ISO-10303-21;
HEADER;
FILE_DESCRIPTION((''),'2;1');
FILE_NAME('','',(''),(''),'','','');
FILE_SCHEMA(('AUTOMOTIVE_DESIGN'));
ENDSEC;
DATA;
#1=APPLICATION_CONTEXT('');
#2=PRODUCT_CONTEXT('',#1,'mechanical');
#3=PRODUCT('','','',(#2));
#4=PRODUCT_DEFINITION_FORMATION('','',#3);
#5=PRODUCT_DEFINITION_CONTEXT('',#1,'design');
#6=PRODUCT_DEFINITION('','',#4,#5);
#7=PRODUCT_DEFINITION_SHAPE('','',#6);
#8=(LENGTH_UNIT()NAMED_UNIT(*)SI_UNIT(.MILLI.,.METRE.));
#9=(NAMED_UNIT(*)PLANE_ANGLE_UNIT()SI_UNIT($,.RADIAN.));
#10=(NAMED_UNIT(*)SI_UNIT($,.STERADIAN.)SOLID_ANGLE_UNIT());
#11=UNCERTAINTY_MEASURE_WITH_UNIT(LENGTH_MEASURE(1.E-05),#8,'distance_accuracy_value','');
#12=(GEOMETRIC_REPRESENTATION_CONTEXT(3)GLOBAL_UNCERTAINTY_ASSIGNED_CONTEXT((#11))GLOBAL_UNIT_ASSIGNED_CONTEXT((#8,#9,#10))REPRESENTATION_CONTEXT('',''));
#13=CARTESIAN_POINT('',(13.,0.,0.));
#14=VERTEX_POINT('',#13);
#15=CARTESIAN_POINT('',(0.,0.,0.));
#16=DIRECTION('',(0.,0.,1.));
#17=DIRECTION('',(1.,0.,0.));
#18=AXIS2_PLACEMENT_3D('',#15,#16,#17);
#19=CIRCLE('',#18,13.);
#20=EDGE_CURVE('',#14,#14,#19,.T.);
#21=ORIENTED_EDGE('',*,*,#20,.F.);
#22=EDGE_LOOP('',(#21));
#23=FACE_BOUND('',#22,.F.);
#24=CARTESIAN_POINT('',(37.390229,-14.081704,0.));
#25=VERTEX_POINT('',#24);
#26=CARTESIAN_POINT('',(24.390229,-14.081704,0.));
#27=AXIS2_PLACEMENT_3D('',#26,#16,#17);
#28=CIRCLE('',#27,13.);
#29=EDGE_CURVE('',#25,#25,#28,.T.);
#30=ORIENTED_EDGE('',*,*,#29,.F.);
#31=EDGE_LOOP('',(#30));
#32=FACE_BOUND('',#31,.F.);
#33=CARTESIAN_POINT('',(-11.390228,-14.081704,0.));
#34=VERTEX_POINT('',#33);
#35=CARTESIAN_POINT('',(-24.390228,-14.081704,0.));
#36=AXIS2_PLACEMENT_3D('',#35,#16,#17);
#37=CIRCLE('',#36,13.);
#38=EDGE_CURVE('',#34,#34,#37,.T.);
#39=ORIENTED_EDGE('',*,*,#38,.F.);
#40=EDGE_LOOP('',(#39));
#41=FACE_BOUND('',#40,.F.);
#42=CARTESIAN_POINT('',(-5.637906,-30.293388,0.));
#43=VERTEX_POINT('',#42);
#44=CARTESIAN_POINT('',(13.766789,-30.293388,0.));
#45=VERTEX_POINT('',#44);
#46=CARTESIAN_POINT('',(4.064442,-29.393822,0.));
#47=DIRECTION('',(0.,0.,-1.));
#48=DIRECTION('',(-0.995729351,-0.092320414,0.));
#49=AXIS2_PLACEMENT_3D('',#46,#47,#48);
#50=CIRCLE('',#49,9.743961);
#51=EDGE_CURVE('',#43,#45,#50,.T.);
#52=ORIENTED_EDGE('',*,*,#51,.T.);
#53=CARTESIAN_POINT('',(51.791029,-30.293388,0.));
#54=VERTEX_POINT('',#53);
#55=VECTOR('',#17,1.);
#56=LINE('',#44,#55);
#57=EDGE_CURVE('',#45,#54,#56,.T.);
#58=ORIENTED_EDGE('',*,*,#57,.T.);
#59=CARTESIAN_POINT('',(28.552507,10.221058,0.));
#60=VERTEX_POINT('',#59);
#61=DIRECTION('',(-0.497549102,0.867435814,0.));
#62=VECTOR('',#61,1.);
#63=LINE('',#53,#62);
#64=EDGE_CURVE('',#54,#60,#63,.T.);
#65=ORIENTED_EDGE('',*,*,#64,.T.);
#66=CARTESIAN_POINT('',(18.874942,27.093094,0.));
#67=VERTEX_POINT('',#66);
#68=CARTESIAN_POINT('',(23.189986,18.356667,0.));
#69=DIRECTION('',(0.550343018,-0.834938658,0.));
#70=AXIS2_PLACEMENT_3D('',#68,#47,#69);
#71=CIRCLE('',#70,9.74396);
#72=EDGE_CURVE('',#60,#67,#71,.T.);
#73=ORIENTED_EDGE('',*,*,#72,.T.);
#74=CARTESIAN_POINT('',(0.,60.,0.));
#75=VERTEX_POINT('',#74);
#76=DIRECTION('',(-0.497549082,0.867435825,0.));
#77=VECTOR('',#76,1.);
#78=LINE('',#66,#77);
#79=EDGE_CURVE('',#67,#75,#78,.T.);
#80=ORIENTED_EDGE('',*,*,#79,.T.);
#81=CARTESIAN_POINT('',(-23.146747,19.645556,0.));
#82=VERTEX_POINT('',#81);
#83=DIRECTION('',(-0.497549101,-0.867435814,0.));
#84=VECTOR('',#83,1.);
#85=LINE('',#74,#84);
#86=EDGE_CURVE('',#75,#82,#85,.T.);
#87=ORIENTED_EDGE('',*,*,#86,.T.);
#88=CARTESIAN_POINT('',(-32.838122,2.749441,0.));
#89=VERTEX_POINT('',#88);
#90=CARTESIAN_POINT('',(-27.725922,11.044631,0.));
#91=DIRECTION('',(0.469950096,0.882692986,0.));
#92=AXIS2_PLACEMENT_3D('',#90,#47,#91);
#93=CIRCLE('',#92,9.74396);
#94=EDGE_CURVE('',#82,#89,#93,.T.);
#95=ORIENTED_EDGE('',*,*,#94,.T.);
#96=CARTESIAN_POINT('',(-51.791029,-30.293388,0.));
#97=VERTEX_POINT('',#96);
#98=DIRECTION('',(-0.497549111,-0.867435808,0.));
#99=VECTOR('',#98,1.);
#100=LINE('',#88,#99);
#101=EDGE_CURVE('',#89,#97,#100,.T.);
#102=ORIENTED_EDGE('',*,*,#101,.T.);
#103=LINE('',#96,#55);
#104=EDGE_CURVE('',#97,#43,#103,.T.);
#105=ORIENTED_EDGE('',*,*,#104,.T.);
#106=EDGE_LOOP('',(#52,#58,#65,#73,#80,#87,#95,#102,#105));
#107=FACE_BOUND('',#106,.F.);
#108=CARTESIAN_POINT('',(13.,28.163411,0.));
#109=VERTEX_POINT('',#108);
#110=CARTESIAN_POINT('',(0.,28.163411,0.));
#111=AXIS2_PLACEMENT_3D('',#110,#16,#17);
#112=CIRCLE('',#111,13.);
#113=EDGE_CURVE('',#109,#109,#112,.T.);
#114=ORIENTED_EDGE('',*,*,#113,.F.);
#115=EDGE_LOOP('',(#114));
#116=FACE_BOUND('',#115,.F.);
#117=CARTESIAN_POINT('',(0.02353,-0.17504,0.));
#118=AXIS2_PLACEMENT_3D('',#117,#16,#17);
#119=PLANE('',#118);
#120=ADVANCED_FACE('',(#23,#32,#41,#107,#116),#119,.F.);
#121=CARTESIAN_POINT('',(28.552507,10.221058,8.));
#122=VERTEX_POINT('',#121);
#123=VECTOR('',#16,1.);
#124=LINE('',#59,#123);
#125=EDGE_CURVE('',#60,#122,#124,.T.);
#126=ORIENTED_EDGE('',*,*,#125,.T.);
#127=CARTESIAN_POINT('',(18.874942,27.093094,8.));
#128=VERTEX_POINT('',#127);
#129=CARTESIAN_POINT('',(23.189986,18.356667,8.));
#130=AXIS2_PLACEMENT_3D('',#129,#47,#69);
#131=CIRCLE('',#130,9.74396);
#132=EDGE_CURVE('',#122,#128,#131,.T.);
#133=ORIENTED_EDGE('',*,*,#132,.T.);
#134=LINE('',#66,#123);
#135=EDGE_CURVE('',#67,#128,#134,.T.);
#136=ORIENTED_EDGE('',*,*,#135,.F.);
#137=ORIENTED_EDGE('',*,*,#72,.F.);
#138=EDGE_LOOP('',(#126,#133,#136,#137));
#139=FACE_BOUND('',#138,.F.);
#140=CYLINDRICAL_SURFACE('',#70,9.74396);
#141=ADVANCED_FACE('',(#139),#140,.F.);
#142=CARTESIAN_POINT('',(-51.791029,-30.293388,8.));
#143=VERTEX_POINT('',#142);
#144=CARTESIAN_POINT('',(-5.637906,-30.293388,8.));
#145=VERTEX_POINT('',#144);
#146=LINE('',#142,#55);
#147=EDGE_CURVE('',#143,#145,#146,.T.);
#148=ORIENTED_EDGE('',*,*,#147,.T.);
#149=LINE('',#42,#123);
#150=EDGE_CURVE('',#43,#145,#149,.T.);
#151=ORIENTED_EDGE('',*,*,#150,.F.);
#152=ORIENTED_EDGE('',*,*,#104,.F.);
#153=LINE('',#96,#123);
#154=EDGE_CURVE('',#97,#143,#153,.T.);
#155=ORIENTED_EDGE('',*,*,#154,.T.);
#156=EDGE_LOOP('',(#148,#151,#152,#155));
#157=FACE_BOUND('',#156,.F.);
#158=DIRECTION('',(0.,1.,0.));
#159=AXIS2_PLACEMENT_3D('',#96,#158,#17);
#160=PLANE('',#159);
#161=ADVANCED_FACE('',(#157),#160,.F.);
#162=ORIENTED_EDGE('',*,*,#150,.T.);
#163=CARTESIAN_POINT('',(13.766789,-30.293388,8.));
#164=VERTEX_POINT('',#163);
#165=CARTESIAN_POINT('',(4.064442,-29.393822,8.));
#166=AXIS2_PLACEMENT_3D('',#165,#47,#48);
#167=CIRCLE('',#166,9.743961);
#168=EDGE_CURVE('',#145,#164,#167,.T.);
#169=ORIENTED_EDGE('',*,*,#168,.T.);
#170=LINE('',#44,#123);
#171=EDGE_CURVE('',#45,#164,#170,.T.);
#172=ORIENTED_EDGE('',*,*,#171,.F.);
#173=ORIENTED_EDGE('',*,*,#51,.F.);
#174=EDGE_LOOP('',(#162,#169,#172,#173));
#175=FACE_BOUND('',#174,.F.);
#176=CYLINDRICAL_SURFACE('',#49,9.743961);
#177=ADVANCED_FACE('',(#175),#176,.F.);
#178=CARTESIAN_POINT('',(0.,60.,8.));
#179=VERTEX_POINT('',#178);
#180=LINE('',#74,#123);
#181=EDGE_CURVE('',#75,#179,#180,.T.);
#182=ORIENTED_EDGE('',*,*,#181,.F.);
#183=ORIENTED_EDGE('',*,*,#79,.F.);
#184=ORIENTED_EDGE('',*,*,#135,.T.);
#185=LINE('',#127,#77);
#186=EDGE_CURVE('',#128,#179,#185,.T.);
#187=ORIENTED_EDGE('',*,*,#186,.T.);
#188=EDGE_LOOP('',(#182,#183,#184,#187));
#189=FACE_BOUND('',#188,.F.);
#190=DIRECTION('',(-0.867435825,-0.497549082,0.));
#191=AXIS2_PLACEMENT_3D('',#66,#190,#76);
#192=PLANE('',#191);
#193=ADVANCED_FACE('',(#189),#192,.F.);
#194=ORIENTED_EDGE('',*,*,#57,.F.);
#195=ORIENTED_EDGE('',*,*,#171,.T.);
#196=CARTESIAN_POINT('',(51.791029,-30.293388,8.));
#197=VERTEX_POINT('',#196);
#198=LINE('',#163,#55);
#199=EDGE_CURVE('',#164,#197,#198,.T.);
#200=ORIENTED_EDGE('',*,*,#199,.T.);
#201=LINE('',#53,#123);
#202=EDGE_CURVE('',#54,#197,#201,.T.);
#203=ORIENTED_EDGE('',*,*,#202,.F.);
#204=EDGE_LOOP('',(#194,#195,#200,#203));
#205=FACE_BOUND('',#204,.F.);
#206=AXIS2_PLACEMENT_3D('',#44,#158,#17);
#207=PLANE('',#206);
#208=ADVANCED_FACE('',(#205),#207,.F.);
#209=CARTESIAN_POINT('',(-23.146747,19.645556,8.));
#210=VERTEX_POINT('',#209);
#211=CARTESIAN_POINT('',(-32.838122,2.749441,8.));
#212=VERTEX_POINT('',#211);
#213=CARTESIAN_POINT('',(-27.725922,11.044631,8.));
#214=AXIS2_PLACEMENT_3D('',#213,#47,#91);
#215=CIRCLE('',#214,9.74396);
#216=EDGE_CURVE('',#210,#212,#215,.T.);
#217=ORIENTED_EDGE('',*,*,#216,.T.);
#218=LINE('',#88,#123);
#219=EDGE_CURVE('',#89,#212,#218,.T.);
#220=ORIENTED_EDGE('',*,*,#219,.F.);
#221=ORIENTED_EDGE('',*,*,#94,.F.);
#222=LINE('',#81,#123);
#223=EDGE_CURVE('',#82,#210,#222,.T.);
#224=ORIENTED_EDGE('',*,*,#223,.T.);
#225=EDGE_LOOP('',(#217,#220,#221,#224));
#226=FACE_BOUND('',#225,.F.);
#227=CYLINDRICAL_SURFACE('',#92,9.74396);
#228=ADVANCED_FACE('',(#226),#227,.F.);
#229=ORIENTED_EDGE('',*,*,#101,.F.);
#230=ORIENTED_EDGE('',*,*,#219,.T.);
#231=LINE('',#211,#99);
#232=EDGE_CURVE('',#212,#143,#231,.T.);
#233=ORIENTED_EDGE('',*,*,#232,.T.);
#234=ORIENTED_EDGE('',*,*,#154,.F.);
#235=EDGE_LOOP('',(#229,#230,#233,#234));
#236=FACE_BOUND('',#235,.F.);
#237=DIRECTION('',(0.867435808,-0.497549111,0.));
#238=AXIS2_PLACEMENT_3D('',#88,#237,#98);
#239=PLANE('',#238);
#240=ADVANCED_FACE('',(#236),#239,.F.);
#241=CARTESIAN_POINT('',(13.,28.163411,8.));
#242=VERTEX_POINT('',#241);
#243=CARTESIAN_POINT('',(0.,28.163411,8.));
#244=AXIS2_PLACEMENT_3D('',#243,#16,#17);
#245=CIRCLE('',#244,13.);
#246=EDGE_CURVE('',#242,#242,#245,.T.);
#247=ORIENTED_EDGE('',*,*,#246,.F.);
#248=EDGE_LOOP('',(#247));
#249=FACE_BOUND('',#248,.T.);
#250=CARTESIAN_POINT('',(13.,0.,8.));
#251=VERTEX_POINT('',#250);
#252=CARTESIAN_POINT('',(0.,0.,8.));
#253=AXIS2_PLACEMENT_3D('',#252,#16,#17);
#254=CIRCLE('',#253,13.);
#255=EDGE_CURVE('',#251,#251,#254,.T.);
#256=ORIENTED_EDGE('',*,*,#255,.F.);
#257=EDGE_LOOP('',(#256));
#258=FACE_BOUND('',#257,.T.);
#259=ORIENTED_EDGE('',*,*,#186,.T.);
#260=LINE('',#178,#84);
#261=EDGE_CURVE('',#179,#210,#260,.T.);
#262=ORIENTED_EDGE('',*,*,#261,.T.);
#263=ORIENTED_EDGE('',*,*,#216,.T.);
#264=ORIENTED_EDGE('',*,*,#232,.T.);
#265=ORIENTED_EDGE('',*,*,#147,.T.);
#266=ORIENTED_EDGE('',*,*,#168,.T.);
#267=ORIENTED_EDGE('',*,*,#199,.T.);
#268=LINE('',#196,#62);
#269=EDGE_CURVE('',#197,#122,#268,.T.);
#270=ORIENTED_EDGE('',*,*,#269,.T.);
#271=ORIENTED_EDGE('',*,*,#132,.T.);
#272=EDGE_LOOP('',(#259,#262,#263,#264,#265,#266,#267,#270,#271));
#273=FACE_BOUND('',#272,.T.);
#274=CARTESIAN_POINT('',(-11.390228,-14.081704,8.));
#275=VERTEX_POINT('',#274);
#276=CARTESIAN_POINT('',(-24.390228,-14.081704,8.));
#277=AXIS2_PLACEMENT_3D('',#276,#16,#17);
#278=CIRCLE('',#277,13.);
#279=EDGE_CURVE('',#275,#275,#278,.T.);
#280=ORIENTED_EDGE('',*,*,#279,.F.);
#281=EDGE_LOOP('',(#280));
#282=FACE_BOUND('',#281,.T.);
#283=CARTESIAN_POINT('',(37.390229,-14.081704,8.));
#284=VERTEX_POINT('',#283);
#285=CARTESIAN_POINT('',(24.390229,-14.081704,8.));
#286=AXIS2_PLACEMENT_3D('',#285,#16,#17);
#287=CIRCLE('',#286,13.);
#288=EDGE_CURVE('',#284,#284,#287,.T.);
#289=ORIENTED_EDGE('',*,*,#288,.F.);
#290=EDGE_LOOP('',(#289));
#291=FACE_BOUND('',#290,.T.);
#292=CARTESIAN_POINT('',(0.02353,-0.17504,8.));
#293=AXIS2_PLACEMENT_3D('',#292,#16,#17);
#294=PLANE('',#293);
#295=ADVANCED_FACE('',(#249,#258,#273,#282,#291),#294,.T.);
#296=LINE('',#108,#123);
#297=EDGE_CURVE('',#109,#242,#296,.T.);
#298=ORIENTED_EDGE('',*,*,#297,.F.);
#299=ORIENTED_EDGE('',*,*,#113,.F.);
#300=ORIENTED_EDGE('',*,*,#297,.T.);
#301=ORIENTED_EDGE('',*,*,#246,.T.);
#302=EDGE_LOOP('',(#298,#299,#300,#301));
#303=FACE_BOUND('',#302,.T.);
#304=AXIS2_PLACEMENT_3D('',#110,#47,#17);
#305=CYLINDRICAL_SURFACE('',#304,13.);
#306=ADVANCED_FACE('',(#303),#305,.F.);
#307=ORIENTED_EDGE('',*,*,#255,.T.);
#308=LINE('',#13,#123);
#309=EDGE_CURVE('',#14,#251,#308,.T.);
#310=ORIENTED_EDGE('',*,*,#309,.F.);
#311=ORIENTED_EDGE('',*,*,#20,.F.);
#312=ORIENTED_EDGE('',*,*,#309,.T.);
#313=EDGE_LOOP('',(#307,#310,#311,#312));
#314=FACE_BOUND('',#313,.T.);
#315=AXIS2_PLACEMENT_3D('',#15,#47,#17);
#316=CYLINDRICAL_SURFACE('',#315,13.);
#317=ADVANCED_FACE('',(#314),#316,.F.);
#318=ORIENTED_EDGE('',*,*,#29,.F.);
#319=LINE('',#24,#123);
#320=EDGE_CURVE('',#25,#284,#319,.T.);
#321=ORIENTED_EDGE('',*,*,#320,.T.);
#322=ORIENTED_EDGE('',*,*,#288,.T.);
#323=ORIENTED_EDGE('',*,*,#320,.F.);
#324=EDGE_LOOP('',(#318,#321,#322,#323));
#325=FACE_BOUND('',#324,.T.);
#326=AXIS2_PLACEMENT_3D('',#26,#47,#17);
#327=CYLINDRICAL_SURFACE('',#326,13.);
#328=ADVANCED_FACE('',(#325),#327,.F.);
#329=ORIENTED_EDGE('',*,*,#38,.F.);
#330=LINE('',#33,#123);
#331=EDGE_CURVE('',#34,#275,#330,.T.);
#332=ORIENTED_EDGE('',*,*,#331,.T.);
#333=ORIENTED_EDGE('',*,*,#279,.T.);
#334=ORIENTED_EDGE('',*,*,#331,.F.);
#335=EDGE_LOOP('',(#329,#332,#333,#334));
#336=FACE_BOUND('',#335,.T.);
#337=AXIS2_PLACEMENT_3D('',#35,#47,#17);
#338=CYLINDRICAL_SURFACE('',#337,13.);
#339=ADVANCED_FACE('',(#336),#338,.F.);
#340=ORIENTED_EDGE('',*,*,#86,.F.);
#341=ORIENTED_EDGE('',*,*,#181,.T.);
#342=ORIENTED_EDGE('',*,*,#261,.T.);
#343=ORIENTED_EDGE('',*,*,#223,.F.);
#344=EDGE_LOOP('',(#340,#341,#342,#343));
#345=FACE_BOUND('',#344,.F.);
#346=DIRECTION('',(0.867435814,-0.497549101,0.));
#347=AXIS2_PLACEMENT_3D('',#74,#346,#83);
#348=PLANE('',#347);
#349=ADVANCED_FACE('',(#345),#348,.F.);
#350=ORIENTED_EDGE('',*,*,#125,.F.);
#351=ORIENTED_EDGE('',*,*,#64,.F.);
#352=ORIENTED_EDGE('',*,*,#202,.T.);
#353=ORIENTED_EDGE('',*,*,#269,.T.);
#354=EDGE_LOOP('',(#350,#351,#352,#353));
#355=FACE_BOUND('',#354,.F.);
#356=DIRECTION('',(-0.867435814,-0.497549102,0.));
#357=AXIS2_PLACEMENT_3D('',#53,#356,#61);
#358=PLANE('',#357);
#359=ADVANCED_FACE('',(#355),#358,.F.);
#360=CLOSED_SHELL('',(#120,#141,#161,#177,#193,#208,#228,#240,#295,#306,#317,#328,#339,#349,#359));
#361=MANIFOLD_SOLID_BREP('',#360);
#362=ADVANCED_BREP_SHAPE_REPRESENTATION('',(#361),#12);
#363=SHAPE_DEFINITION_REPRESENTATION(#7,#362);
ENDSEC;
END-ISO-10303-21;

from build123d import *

# Parameters (mm, degrees)
F0_R     = 13
F1_DEPTH = 8


with BuildPart() as f1:
    # F0 (on Top) → F1 (new body)
    with BuildSketch(Plane.XY):
        with BuildLine():
            Line((18.874942, 27.093094), (0, 60))
            Line((0, 60), (-23.146747, 19.645556))
            ThreePointArc((-23.146747, 19.645556), (-19.273662, 6.196532), (-32.838122, 2.749441))
            Line((-32.838122, 2.749441), (-51.791029, -30.293388))
            Line((-51.791029, -30.293388), (-5.637906, -30.293388))
            ThreePointArc((-5.637906, -30.293388), (4.064441, -19.649861), (13.766789, -30.293388))
            Line((13.766789, -30.293388), (51.791029, -30.293388))
            Line((51.791029, -30.293388), (28.552507, 10.221058))
            ThreePointArc((28.552507, 10.221058), (14.737726, 13.508569), (18.874942, 27.093094))
        make_face()
        with Locations((-24.390228, -14.081704)):
            Circle(F0_R, mode=Mode.SUBTRACT)
        with Locations((24.390229, -14.081704)):
            Circle(F0_R, mode=Mode.SUBTRACT)
        Circle(F0_R, mode=Mode.SUBTRACT)
        with Locations((0, 28.163411)):
            Circle(F0_R, mode=Mode.SUBTRACT)
    extrude(amount=F1_DEPTH)


solid = f1.part
